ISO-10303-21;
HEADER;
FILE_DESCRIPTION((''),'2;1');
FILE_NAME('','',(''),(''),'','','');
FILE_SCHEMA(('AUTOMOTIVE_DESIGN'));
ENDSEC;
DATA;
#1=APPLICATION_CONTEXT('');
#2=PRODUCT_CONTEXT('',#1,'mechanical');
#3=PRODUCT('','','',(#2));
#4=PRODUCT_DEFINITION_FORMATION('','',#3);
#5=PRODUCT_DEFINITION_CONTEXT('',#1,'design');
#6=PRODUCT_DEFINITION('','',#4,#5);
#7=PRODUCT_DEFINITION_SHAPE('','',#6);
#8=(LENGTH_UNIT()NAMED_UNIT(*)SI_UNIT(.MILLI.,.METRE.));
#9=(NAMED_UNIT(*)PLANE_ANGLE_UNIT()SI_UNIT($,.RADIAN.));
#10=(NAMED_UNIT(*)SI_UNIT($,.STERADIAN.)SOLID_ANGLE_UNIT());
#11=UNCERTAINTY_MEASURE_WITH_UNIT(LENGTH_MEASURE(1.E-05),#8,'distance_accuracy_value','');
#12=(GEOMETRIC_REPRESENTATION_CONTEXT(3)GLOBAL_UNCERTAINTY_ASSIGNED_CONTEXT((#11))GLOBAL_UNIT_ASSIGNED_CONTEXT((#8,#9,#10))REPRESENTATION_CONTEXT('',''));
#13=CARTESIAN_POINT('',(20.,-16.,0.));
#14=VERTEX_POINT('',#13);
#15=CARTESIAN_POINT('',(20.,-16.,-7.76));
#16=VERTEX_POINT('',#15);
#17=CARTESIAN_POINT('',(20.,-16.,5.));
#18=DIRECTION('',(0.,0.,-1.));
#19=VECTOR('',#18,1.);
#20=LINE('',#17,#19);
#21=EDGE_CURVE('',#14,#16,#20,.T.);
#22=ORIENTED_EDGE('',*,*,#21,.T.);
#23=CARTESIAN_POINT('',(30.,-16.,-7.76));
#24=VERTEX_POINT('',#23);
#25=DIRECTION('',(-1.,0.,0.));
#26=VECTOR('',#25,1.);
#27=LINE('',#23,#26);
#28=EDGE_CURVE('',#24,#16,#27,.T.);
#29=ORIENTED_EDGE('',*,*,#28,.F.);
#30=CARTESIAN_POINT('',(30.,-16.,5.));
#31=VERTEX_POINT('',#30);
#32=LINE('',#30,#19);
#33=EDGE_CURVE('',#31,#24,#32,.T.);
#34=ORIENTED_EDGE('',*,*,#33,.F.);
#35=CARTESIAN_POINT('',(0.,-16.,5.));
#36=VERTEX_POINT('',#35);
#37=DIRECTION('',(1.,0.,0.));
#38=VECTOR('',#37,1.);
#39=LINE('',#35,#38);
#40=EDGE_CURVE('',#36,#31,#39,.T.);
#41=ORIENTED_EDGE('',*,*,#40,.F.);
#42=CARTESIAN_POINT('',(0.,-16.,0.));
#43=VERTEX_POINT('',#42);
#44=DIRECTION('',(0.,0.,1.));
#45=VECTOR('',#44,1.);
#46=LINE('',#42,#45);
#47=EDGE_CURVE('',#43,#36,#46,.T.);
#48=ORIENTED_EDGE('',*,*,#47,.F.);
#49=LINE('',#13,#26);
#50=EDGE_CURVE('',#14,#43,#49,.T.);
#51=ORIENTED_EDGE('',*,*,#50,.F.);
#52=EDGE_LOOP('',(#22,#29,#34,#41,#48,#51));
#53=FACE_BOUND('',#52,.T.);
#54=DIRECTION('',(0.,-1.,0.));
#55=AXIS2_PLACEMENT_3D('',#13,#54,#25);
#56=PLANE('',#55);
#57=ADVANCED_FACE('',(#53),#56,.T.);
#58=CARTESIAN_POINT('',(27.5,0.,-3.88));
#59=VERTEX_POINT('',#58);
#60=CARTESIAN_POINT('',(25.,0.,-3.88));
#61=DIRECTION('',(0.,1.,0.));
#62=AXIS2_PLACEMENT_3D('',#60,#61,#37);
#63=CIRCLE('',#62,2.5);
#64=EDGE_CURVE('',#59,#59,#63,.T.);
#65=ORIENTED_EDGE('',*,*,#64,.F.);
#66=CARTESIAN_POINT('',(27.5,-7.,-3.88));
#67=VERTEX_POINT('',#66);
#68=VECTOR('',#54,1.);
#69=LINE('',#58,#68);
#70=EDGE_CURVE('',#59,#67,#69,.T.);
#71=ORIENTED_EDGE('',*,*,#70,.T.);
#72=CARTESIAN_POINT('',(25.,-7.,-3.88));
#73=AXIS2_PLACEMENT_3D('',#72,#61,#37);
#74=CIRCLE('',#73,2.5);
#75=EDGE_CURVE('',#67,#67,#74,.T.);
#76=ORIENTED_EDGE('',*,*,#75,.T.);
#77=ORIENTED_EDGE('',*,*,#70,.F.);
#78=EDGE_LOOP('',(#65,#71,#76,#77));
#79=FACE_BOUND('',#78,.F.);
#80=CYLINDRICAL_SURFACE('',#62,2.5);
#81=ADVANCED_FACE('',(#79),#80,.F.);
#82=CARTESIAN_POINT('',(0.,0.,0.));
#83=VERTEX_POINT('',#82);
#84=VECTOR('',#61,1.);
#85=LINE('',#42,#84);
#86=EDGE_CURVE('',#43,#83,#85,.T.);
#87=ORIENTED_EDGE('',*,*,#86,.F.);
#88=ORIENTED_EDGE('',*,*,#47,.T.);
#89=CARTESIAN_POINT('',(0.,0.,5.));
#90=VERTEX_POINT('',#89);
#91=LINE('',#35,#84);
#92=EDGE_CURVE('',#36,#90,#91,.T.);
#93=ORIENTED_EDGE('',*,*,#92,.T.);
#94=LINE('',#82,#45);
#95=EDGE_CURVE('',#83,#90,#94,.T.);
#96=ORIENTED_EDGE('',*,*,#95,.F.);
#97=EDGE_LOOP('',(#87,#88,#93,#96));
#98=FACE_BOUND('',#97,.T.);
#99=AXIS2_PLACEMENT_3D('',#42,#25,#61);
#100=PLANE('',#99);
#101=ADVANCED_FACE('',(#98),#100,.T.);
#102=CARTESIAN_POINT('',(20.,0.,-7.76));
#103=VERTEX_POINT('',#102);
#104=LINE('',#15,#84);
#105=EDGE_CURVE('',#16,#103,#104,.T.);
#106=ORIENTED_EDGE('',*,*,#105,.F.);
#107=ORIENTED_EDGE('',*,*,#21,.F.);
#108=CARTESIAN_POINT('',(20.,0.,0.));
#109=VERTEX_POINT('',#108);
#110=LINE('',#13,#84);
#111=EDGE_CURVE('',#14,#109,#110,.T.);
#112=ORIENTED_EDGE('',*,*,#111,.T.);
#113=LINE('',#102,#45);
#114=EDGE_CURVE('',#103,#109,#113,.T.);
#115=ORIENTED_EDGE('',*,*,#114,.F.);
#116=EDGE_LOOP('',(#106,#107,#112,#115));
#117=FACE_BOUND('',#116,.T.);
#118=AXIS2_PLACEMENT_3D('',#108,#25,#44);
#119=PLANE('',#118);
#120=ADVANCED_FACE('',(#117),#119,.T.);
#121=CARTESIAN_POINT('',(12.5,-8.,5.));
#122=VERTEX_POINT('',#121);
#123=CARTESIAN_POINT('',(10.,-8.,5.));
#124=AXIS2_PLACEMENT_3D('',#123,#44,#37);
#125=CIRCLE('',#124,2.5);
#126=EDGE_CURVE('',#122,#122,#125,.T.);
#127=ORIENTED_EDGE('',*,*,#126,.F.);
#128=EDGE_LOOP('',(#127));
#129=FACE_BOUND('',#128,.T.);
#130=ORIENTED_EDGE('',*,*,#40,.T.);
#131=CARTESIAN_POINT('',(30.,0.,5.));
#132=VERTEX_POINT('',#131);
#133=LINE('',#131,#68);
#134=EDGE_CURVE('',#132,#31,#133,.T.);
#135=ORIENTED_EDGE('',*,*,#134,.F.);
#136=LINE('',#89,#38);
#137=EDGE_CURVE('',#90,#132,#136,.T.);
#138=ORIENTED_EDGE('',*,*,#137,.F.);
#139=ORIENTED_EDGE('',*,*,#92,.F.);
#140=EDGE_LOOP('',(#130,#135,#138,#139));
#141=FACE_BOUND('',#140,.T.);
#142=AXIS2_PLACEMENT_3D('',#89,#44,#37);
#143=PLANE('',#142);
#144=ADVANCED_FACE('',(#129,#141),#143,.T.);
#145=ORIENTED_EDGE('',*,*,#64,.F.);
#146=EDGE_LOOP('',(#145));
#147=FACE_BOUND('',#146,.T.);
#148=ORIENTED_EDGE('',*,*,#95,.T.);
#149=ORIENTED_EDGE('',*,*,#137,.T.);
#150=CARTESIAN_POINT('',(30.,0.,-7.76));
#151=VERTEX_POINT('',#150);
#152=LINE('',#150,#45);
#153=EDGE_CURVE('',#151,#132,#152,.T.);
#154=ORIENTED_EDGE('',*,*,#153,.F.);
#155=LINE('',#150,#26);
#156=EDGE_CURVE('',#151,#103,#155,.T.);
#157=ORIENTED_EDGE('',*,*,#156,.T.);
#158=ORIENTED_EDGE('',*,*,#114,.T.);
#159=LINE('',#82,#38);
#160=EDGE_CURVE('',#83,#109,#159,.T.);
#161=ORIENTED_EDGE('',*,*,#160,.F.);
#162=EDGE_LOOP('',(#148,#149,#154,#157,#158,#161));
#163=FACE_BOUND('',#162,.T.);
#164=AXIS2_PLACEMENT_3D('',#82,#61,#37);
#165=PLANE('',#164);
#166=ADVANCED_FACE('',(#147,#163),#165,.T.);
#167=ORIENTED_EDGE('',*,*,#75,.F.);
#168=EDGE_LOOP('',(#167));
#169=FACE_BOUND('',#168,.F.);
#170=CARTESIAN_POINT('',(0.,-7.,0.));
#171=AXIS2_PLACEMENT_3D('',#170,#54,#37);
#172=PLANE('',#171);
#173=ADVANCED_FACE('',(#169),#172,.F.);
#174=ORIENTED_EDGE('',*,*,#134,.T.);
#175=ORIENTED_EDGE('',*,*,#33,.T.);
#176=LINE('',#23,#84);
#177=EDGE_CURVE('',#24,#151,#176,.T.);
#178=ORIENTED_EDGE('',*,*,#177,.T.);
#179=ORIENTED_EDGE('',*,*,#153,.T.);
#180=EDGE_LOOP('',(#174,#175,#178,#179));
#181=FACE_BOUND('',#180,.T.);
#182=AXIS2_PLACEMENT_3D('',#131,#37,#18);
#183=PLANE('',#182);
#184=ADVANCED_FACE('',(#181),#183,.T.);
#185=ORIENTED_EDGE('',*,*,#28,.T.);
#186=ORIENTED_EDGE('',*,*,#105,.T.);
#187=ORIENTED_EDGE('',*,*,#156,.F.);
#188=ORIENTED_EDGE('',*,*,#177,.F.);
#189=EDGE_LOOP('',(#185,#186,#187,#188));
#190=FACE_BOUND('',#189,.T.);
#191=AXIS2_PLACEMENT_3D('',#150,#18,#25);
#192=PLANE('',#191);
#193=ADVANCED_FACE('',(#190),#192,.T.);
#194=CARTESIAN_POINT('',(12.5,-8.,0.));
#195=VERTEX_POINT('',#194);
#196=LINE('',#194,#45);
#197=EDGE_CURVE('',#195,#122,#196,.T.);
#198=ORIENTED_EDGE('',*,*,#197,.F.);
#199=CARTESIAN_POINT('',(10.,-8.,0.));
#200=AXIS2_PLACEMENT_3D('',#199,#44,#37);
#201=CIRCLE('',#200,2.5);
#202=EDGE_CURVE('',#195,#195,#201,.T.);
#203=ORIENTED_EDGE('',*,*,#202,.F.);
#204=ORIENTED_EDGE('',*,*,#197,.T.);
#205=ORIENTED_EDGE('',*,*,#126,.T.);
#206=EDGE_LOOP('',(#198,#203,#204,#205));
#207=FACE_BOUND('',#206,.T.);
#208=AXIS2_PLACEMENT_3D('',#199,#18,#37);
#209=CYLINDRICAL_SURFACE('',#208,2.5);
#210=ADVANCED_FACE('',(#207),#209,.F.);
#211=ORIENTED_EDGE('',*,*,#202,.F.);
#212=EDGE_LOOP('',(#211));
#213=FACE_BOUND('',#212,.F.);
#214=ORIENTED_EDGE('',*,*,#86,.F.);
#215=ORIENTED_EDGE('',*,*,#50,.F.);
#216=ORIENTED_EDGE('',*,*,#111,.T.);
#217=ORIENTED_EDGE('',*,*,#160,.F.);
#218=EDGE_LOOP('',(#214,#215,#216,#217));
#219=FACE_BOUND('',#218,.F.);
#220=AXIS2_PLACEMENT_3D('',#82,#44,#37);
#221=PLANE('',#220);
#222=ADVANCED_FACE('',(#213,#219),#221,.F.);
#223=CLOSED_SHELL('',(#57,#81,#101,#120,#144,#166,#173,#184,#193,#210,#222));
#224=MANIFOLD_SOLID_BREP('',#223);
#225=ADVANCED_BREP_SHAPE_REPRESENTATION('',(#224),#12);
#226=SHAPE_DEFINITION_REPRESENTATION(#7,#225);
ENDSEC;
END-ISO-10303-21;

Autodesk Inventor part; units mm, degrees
ref_plane "YZ Plane" through (0, 0, 0) normal (1, 0, 0) x (0, 1, 0)
ref_plane "XZ Plane" through (0, 0, 0) normal (0, 1, 0) x (-1, 0, 0)
ref_plane "XY Plane" through (0, 0, 0) normal (0, 0, 1) x (1, 0, 0)
sketch "Sketch1" plane through (0, 0, 0) normal (0, 0, 1) x (1, 0, 0)
  line L0 (0, 0) -> (20, 0)
  line L1 (20, 0) -> (20, -16)
  line L2 (20, -16) -> (0, -16)
  line L3 (0, -16) -> (0, 0)
  circle A0 centre (10, -8) radius 2.5
  dimension "d0" = 20
  dimension "d1" = 16
  dimension "d2" = 8
  dimension "d3" = 10
  dimension "d4" = 5
extrude "Extrusion1" add sketch "Sketch1" along normal blind 5
sketch "Sketch2" plane through (0, 0, 0) normal (0, 1, 0) x (1, 0, 0)
  line L0 (20, 0) -> (20, -5) projected
  line L1 (20, 0) -> (30, 0)
  line L2 (30, 0) -> (30, 7.76)
  line L3 (30, 7.76) -> (20, 7.76)
  line L4 (20, 7.76) -> (20, 0)
  line L5 (20, -5) -> (30, -5)
  line L6 (30, -5) -> (30, 0)
  line L7 (30, 0) -> (20, 0)
  line L8 (20, 0) -> (20, -5)
  circle A0 centre (25, 3.88) radius 2.5
  point P0 (0, 0)
  dimension "d7" = 10
  dimension "d8" = 7.76
  dimension "d9" = 5
extrude "Extrusion2" add sketch "Sketch2" against normal blind 16
sketch "Sketch3" plane through (0, -16, 0) normal (0, -1, 0) x (1, 0, 0)
  line L0 (30, -7.76) -> (30, 5) projected
  line L1 (0, 0) -> (20, 0) projected
  line L2 (30, -7.76) -> (20, -7.76)
  line L3 (20, -7.76) -> (20, 0)
  line L4 (20, 0) -> (30, 0)
  line L5 (30, 0) -> (30, -7.76)
extrude "Extrusion3" add sketch "Sketch3" against normal blind 9
equation "\"d2\" = 0.5 * d1"
equation "\"d3\" = 0.5 * d0"
properties part number "cover mount L v01"
